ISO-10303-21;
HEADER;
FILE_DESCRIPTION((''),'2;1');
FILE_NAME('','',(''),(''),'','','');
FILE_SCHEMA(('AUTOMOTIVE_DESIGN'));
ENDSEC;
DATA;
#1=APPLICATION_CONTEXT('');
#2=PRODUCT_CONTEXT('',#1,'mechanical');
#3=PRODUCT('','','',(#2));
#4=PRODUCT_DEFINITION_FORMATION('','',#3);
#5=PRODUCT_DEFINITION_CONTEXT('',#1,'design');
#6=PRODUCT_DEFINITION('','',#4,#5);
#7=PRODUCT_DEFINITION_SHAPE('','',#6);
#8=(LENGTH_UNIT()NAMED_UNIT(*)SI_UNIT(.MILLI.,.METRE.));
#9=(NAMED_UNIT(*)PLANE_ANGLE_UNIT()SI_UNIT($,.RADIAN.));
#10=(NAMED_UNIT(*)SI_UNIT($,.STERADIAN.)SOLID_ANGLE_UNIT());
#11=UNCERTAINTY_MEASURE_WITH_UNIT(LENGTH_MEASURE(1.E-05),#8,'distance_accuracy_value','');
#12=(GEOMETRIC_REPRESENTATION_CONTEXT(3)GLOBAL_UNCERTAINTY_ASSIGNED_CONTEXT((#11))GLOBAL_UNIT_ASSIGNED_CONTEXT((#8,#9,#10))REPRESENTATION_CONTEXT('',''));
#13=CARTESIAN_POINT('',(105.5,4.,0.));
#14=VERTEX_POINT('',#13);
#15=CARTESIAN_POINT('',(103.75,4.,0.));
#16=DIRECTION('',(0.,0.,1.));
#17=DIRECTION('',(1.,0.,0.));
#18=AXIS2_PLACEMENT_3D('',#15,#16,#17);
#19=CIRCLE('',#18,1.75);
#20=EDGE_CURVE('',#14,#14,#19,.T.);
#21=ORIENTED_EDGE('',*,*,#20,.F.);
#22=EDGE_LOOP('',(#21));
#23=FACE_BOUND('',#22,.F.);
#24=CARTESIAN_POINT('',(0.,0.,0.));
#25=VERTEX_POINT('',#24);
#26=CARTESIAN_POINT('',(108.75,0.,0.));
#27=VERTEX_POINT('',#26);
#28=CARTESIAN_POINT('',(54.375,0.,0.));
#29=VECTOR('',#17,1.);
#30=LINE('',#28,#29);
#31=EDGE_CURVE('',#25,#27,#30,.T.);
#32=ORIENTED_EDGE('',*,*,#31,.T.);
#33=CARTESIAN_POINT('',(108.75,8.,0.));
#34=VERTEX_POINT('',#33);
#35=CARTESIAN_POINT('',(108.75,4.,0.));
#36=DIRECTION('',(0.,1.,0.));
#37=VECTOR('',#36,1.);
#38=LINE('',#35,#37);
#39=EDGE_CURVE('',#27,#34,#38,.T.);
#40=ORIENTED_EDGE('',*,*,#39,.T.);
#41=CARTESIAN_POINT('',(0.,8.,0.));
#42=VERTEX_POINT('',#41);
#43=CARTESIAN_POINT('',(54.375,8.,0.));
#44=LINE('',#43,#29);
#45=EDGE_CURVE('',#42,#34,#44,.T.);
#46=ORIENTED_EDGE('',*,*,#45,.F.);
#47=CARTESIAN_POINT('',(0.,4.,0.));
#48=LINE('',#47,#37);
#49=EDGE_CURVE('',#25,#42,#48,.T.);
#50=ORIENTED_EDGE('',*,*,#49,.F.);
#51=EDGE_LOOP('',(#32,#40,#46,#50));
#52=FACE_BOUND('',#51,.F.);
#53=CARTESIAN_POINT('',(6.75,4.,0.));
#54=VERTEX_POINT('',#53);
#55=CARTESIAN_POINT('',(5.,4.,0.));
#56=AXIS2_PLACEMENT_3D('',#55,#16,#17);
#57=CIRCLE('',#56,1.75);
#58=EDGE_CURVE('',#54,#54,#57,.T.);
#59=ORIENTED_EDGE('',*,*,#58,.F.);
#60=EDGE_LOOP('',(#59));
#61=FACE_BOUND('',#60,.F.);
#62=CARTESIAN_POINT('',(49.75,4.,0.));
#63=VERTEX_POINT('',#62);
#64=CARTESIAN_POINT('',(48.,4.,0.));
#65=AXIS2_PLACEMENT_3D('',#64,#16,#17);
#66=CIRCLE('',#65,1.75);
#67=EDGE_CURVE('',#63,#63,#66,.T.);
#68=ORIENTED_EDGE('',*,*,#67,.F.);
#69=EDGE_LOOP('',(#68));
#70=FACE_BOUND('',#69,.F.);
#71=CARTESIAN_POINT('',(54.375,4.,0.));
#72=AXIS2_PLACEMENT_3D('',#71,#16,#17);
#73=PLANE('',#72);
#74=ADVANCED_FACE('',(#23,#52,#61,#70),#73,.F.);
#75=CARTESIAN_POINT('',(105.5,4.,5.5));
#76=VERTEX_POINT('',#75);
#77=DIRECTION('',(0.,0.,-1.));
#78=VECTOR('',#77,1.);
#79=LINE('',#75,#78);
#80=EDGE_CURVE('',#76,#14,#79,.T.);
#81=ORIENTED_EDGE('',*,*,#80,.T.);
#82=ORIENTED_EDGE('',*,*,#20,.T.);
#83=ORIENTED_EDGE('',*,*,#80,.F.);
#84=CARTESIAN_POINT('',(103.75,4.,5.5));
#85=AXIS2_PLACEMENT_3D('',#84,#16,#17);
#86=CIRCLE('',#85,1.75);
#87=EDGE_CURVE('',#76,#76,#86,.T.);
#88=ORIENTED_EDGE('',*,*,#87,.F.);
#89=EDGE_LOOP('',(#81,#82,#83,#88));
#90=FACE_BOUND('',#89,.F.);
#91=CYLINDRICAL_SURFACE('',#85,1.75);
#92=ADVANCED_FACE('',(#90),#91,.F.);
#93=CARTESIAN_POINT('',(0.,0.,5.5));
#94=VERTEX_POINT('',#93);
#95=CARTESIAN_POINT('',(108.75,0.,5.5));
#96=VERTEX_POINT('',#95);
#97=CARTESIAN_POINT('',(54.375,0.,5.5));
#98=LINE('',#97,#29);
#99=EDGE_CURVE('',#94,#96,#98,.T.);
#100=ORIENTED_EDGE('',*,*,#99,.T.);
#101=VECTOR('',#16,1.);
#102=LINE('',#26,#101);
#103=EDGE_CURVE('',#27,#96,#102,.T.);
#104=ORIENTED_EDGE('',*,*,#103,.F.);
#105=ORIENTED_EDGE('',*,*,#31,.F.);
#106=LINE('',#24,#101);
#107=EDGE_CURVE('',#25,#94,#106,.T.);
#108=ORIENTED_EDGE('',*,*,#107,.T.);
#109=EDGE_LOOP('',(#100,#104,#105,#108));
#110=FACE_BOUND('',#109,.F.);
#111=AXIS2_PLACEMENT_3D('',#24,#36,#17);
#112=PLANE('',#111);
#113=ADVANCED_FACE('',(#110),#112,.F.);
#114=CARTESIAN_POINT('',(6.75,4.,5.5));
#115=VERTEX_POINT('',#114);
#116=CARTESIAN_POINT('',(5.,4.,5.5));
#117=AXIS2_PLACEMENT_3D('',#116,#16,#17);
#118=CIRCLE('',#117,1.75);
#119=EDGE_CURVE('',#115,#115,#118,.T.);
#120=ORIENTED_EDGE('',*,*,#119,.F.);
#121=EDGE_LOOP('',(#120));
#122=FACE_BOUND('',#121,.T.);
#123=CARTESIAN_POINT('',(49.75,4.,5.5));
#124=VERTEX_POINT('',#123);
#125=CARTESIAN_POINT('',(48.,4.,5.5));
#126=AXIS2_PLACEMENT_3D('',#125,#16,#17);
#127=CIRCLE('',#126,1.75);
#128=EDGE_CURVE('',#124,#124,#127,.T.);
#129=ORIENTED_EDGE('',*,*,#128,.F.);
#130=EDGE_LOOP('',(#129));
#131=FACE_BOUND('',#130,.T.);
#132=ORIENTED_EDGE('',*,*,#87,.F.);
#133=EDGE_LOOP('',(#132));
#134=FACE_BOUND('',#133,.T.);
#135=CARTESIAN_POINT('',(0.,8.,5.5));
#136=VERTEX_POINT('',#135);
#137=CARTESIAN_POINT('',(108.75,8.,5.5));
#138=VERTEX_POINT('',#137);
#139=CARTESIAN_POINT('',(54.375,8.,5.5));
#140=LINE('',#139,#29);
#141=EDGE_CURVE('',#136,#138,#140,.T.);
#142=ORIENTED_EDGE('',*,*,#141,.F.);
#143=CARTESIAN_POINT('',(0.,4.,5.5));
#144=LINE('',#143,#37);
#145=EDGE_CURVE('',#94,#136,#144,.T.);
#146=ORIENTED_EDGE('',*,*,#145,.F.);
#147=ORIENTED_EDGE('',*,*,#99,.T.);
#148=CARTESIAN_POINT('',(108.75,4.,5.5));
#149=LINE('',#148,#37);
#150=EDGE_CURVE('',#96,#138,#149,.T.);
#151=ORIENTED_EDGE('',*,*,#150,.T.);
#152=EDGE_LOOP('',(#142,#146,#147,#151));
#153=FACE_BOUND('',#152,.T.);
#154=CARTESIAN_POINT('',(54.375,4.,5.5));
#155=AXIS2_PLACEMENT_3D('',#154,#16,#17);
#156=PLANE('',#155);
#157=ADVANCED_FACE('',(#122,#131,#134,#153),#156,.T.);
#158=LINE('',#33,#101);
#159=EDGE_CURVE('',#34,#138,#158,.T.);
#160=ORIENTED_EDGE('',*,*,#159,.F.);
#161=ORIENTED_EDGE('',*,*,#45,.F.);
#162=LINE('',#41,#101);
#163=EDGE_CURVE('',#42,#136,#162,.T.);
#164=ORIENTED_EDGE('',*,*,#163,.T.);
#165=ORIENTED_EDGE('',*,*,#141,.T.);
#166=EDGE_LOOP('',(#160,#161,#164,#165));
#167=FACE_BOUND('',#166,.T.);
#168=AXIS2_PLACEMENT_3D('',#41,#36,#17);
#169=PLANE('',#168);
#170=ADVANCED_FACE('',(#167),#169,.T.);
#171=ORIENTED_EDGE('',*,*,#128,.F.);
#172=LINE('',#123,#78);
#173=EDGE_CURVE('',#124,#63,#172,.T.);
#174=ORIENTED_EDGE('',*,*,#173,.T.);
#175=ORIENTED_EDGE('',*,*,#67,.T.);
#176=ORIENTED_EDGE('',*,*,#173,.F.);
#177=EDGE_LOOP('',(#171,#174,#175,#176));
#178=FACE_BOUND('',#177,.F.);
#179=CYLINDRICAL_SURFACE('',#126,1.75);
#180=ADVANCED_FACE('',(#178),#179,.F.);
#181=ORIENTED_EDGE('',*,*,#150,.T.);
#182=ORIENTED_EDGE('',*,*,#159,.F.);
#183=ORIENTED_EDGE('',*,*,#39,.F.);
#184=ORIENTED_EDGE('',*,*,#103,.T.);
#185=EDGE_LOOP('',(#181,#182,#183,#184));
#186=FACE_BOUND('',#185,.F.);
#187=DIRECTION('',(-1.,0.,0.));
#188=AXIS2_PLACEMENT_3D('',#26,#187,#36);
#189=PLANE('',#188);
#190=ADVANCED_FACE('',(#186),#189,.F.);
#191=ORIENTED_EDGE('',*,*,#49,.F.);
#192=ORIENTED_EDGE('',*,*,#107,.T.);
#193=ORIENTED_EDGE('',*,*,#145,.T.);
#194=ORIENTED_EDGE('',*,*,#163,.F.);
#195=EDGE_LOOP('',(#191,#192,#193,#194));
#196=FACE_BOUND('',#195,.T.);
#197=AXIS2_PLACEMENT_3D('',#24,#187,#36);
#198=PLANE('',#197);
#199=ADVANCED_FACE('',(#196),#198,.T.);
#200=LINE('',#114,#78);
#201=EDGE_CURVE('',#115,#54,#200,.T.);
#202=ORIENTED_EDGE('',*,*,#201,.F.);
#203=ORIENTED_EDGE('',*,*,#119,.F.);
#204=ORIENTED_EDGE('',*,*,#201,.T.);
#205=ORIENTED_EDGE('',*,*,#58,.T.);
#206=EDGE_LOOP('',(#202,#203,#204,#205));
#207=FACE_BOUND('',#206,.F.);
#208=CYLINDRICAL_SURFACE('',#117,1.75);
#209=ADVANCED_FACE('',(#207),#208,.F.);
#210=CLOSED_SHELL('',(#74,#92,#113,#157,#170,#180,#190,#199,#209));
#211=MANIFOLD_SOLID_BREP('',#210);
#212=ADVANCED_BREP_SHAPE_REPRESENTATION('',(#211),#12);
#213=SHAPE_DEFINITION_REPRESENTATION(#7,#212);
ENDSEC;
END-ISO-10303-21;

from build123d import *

# Parameters (mm, degrees)
SKETCH001_W  = 108.75
SKETCH001_H  = 8
PAD_DEPTH    = 5.5
SKETCH_R     = 1.75
POCKET_DEPTH = 10


with BuildPart() as part:
    # Sketch001 → Pad (new body)
    with BuildSketch(Plane.XY):
        with Locations((54.375, 4)):
            Rectangle(SKETCH001_W, SKETCH001_H)
    extrude(amount=PAD_DEPTH)

    # Sketch (on Face6 of Pad) → Pocket (cut)
    with BuildSketch(Plane.XY.offset(5.5)):
        with Locations((5, 4)):
            Circle(SKETCH_R)
        with Locations((48, 4)):
            Circle(SKETCH_R)
        with Locations((103.75, 4)):
            Circle(SKETCH_R)
    extrude(amount=-POCKET_DEPTH, mode=Mode.SUBTRACT)


solid = part.part
